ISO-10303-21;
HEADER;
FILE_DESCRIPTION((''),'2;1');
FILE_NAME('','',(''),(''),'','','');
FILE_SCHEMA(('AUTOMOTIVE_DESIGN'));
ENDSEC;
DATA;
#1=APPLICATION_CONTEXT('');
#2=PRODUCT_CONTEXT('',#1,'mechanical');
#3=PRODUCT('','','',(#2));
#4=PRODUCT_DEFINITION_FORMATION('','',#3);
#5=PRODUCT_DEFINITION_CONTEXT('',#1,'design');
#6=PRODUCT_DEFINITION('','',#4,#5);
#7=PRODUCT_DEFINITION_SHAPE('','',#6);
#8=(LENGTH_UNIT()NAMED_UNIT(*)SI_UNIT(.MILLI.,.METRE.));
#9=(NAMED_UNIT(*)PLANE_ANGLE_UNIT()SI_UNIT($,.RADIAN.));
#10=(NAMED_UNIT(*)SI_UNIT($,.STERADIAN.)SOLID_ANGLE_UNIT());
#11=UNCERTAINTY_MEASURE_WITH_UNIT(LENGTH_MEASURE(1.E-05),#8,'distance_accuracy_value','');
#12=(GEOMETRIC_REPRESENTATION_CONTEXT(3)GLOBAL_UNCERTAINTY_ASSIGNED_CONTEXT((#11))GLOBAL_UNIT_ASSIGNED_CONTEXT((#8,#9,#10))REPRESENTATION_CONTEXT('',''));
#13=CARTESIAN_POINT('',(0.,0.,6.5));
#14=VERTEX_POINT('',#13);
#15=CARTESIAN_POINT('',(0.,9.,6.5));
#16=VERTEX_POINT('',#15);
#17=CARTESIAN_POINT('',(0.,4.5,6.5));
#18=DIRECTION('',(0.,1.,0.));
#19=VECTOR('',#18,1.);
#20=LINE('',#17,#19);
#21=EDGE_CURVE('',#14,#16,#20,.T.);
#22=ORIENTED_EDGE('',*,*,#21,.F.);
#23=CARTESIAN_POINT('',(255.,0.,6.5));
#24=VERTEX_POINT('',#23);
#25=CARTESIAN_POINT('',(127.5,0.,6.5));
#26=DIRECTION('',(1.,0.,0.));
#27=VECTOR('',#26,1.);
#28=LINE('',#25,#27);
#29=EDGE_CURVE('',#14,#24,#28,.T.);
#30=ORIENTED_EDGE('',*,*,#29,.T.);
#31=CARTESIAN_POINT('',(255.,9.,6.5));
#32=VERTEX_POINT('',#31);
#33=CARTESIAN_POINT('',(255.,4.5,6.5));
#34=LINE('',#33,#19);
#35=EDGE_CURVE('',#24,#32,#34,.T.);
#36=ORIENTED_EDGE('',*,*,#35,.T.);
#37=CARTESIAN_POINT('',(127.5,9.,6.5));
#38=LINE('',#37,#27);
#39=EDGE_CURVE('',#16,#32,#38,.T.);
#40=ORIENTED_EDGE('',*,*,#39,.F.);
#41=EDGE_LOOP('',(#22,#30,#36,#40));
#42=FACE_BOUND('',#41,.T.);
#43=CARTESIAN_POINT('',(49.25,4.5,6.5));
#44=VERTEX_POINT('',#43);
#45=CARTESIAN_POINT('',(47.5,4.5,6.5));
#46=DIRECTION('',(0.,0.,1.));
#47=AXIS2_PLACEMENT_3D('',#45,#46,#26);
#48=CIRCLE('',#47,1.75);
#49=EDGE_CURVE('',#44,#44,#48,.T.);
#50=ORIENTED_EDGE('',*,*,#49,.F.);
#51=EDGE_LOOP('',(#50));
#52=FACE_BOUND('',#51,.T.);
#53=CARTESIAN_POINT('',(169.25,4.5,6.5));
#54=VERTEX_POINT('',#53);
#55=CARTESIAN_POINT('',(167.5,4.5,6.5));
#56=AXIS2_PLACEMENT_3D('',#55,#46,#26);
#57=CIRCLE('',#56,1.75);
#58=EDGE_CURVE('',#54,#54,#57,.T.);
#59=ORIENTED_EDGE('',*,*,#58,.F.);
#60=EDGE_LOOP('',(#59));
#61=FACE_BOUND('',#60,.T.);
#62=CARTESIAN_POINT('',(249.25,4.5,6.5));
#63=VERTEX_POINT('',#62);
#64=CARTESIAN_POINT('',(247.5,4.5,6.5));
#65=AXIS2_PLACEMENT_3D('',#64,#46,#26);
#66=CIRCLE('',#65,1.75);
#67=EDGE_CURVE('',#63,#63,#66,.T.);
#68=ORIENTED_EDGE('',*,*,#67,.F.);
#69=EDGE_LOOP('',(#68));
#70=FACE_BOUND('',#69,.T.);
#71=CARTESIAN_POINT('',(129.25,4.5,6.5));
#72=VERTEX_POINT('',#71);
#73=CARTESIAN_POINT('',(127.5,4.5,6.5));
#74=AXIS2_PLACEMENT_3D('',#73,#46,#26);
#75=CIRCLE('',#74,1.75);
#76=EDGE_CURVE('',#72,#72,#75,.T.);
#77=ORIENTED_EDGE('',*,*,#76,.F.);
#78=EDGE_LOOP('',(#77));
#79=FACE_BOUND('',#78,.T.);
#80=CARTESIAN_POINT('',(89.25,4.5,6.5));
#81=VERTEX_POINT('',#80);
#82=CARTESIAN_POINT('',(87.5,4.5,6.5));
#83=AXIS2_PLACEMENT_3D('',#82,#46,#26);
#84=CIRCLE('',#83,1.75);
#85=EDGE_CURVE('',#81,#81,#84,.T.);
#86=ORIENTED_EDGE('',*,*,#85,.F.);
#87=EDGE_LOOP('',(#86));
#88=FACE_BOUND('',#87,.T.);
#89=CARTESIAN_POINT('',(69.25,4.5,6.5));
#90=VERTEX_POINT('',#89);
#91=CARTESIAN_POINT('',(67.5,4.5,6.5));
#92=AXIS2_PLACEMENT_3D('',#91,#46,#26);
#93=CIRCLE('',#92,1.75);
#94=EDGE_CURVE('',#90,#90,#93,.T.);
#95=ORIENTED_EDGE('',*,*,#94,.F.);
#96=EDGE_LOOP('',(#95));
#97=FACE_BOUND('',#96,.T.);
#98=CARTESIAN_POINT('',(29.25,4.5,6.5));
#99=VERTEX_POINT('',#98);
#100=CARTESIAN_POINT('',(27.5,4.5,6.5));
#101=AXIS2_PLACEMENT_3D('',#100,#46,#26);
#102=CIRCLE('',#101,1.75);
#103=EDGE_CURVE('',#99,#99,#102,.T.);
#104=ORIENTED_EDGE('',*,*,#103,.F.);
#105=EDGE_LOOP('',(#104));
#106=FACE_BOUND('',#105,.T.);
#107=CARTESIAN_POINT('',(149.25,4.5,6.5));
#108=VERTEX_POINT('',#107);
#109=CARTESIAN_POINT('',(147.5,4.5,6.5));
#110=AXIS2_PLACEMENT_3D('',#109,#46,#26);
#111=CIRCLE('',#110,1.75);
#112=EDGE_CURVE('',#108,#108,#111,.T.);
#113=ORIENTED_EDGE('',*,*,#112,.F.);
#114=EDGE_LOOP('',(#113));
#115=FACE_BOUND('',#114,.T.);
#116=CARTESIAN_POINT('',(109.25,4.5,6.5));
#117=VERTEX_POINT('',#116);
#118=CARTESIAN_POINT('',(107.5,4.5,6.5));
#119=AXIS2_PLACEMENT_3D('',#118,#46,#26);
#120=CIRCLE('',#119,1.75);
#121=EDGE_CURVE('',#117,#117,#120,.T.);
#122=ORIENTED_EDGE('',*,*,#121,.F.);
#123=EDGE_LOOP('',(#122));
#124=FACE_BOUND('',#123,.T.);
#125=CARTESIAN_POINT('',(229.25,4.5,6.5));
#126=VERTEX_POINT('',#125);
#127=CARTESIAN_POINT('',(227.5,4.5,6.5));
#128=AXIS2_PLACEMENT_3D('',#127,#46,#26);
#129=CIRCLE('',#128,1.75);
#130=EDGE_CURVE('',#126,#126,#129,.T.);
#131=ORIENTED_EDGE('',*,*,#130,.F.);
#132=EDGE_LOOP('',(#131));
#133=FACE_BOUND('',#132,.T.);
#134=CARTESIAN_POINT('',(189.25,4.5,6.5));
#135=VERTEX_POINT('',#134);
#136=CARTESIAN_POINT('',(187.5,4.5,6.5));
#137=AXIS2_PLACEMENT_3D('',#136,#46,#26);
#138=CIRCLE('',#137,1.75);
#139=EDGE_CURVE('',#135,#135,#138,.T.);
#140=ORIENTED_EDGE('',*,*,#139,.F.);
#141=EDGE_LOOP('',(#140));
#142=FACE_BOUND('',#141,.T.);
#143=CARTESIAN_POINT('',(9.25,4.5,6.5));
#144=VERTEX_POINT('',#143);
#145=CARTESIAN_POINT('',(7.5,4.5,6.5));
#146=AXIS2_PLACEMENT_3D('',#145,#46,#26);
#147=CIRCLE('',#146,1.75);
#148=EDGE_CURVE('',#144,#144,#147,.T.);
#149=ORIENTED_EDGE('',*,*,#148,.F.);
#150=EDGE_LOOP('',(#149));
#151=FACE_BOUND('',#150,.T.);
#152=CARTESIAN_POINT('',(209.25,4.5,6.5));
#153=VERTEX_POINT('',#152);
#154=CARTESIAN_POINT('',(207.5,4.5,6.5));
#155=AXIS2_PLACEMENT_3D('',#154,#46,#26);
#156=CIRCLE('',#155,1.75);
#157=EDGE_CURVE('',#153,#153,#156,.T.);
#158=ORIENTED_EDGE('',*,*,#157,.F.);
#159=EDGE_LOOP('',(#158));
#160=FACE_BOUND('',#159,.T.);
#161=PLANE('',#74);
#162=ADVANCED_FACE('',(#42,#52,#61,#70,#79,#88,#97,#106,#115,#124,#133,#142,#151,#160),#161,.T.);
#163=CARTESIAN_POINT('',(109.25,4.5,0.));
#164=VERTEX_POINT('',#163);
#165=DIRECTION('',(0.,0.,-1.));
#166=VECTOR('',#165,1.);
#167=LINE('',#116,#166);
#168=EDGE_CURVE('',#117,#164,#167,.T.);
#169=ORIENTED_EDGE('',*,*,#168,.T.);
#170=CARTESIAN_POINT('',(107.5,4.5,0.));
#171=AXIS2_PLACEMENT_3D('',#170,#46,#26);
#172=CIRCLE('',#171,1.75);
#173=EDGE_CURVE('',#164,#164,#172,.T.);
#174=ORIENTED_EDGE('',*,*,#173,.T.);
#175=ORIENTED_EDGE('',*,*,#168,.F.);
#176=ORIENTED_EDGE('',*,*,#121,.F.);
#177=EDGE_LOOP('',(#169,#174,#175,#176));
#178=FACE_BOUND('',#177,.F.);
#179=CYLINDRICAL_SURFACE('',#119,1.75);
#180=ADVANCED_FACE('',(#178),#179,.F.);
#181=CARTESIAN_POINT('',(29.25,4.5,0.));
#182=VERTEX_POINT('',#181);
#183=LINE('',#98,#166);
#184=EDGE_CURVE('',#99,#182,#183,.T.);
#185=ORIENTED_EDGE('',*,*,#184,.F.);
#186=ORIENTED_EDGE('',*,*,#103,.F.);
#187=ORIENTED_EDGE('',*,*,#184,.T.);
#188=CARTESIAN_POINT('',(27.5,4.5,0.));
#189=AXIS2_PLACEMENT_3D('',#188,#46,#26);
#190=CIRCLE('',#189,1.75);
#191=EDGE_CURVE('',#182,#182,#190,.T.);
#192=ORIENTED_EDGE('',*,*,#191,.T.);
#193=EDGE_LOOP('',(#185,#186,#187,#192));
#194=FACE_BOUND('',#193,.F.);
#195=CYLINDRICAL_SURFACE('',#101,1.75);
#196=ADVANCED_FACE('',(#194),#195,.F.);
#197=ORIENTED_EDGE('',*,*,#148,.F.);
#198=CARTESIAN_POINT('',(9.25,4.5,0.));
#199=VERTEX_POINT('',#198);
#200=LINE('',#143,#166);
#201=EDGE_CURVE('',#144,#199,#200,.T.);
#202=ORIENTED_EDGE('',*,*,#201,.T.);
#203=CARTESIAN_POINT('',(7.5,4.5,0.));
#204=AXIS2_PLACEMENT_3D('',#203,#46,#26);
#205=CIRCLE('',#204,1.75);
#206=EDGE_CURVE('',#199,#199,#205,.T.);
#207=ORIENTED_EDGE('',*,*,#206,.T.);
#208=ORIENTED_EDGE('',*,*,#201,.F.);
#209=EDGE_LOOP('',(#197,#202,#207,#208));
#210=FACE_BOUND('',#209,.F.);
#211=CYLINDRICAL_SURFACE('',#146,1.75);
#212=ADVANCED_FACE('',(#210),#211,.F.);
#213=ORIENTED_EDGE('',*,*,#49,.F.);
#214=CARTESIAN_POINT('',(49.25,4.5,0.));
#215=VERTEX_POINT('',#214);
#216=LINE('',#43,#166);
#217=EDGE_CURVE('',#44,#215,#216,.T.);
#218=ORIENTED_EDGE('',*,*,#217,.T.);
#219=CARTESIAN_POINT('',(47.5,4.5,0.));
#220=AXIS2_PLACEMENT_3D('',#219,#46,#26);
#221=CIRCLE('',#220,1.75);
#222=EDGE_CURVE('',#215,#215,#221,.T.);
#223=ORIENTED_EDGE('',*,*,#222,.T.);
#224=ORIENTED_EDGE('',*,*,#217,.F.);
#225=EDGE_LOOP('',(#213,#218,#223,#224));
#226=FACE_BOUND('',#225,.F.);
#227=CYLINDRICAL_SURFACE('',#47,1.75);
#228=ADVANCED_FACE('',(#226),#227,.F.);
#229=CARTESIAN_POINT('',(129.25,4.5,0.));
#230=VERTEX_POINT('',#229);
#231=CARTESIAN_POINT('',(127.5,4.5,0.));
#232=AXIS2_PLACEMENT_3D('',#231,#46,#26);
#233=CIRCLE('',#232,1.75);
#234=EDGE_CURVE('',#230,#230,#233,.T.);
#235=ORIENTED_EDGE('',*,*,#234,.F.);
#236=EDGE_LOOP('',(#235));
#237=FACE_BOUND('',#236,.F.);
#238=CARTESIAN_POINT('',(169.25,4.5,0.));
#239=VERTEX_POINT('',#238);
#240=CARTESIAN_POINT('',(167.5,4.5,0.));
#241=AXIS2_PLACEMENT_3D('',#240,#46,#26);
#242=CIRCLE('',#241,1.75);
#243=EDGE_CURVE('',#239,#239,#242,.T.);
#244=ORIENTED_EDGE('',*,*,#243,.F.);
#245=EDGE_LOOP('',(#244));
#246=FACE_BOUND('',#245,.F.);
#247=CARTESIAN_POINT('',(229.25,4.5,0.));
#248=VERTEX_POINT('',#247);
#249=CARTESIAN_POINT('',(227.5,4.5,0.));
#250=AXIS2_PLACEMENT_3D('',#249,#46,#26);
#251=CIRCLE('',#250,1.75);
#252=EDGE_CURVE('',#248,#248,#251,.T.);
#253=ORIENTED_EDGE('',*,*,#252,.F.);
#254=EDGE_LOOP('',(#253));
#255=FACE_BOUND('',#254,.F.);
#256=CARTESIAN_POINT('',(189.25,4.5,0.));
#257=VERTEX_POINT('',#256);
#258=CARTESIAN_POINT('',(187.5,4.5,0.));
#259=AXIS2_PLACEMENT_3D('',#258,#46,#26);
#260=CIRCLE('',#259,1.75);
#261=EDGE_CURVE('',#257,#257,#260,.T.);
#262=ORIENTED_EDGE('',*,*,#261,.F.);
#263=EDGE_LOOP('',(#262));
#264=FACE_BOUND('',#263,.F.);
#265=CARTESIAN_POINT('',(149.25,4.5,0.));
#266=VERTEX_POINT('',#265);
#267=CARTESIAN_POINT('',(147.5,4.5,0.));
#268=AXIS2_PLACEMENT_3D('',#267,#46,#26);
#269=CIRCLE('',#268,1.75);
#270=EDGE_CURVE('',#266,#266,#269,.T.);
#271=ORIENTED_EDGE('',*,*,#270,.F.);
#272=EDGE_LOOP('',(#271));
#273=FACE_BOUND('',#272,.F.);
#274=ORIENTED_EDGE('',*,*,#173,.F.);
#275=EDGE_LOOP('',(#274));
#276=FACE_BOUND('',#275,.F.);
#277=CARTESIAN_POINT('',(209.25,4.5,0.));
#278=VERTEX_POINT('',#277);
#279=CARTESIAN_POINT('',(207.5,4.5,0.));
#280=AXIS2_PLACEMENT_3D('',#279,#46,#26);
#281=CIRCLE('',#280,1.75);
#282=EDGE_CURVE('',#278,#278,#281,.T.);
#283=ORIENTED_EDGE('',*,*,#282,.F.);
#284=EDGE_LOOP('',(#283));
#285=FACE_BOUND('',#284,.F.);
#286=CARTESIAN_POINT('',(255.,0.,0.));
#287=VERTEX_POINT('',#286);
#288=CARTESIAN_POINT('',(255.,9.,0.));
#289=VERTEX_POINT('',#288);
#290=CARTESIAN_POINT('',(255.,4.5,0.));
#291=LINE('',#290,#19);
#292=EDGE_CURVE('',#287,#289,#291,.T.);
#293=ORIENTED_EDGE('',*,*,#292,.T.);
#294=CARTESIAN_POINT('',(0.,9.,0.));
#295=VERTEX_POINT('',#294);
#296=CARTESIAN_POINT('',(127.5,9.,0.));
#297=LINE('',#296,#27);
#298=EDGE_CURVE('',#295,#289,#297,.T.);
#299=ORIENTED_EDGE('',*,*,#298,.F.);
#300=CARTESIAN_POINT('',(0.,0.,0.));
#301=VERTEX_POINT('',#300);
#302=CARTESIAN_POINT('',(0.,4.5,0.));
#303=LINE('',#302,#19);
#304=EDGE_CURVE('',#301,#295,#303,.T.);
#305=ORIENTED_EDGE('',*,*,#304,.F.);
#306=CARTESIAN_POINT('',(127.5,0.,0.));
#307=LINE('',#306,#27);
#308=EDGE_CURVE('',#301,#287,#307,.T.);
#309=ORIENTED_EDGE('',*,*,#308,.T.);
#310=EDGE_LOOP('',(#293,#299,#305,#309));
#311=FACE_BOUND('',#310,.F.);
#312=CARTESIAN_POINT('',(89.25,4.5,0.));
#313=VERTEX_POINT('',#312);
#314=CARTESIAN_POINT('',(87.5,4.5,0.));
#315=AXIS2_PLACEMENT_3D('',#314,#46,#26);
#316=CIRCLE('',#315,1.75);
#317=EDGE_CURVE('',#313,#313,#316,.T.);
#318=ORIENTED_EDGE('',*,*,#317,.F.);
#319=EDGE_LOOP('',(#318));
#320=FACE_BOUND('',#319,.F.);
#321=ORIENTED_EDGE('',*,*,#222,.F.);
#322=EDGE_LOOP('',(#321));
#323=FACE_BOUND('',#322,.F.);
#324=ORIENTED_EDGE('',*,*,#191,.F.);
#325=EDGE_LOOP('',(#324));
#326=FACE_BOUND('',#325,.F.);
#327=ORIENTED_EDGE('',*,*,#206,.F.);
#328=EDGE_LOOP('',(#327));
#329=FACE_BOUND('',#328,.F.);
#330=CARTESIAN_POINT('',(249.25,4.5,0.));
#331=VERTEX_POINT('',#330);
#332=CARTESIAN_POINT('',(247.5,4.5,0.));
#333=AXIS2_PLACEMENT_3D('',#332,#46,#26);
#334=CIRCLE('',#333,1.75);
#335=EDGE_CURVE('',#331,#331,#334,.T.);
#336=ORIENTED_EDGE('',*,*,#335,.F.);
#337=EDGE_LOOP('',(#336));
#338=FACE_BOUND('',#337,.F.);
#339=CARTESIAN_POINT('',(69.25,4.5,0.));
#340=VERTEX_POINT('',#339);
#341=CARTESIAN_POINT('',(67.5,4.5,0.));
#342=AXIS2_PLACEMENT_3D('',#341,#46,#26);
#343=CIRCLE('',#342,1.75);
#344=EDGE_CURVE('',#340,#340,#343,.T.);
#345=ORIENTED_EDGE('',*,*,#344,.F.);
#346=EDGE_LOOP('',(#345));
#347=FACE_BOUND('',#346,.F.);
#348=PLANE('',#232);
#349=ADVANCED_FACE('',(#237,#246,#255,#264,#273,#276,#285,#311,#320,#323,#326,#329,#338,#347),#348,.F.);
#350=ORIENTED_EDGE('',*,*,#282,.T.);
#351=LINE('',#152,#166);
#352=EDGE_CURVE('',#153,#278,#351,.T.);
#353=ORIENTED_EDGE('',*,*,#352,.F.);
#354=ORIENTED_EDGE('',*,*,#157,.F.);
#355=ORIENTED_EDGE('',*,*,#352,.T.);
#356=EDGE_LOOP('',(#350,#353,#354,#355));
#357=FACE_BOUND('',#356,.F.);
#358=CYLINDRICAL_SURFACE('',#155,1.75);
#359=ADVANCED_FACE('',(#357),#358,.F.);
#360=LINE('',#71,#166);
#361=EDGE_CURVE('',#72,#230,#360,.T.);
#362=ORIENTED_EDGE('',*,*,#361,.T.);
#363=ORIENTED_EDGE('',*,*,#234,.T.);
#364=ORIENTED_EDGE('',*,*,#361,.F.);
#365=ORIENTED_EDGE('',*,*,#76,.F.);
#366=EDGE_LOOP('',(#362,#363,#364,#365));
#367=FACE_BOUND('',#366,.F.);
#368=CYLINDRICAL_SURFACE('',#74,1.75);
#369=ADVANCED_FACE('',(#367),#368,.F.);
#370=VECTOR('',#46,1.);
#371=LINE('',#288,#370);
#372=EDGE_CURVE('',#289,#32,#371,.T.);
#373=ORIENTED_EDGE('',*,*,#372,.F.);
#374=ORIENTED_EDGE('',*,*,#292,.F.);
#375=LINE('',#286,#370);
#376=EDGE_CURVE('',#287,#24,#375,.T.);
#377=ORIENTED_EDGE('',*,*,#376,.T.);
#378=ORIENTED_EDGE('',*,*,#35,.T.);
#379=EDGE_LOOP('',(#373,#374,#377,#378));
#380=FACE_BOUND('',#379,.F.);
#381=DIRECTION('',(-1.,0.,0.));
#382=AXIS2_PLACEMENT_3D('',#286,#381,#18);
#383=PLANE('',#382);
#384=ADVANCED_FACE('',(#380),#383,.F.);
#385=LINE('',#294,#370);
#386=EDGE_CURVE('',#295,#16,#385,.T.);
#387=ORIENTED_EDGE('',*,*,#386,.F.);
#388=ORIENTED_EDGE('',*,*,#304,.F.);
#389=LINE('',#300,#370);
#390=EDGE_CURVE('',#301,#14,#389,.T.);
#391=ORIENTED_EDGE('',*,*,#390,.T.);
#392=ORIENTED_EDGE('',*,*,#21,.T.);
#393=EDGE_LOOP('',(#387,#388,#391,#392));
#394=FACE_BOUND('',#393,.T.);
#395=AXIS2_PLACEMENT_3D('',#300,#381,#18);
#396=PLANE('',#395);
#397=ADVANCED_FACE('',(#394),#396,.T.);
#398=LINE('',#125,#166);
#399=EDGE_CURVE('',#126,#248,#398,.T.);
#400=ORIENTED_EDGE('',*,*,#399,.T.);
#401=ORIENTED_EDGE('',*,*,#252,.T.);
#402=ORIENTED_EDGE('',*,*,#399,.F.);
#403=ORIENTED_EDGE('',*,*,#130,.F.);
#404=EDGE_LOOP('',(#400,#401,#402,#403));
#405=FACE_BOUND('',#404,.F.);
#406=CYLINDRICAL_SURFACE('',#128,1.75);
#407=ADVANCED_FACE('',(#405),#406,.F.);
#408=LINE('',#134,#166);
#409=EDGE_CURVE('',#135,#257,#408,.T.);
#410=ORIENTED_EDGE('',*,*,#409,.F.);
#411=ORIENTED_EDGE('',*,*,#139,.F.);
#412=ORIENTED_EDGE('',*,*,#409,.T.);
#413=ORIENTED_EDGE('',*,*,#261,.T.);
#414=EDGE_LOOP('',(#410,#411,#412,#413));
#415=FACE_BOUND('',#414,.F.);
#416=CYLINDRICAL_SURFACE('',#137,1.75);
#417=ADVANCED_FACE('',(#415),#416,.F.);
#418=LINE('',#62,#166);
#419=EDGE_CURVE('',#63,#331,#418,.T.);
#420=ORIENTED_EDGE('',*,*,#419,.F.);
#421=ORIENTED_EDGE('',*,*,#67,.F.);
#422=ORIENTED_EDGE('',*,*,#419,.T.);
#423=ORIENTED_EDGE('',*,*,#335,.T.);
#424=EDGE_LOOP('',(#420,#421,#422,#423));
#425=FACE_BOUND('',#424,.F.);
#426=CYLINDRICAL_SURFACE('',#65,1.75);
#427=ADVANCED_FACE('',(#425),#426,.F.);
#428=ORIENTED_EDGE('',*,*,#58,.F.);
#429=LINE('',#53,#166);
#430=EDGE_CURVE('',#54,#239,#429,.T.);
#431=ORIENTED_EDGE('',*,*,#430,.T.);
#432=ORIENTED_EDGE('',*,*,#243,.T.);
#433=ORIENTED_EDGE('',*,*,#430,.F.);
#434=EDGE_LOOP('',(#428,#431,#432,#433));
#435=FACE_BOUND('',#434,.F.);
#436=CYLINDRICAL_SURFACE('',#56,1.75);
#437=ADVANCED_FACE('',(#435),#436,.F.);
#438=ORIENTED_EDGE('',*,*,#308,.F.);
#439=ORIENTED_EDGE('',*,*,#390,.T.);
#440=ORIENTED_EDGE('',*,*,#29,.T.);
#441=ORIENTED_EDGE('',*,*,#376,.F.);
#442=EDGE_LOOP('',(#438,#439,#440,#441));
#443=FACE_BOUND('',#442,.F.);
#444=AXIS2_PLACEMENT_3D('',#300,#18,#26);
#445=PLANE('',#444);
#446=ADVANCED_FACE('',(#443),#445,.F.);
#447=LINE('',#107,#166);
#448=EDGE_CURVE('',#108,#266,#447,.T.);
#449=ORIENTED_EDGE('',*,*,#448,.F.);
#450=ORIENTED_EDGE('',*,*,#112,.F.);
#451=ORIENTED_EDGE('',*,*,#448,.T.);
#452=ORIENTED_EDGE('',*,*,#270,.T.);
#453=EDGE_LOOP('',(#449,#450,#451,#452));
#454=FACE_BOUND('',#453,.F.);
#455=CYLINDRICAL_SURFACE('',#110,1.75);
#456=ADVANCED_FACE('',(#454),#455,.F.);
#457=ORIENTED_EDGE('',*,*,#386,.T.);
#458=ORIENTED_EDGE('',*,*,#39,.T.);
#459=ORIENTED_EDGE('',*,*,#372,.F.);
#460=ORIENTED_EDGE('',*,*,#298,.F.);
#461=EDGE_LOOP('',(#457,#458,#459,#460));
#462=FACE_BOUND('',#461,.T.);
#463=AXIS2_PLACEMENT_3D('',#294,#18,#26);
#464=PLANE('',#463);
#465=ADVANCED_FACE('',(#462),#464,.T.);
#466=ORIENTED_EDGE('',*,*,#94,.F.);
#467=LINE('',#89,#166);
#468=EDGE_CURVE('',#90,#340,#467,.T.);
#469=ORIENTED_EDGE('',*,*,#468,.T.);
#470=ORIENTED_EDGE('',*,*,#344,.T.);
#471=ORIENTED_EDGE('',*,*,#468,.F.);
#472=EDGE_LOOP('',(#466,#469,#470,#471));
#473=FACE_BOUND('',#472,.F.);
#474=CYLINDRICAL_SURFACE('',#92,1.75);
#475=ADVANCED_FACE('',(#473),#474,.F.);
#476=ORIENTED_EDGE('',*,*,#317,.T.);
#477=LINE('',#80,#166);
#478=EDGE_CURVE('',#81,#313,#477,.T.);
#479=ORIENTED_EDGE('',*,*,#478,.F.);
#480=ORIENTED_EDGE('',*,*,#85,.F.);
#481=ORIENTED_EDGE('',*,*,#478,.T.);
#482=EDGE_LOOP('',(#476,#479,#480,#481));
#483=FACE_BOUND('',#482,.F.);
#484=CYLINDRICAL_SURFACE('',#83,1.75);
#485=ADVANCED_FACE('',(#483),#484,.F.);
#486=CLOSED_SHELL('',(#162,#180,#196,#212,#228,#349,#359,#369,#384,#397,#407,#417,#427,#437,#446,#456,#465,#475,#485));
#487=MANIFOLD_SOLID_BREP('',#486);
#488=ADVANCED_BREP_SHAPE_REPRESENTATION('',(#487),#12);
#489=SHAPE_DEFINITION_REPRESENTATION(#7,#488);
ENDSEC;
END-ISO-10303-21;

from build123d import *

# Parameters (mm, degrees)
SKETCH_W            = 255
SKETCH_H            = 9
PAD_DEPTH           = 6.5
SKETCH001_R         = 1.75
POCKET_DEPTH        = 6.5
LINEARPATTERN_COUNT = 13
LINEARPATTERN_PITCH = 20


with BuildPart() as part:
    # Sketch → Pad (new body)
    with BuildSketch(Plane.XY):
        with Locations((127.5, 4.5)):
            Rectangle(SKETCH_W, SKETCH_H)
    extrude(amount=PAD_DEPTH)

    # Sketch001 (on Face6 of Pad) → Pocket (cut)
    with BuildSketch(Plane.XY.offset(6.5)):
        with Locations((7.5, 4.5)):
            Circle(SKETCH001_R)
    pocket = extrude(amount=-POCKET_DEPTH, mode=Mode.SUBTRACT)

    # LinearPattern: Pocket ×13
    with Locations(*[(i * LINEARPATTERN_PITCH, 0, 0) for i in range(1, LINEARPATTERN_COUNT)]):
        add(pocket, mode=Mode.SUBTRACT)


solid = part.part
